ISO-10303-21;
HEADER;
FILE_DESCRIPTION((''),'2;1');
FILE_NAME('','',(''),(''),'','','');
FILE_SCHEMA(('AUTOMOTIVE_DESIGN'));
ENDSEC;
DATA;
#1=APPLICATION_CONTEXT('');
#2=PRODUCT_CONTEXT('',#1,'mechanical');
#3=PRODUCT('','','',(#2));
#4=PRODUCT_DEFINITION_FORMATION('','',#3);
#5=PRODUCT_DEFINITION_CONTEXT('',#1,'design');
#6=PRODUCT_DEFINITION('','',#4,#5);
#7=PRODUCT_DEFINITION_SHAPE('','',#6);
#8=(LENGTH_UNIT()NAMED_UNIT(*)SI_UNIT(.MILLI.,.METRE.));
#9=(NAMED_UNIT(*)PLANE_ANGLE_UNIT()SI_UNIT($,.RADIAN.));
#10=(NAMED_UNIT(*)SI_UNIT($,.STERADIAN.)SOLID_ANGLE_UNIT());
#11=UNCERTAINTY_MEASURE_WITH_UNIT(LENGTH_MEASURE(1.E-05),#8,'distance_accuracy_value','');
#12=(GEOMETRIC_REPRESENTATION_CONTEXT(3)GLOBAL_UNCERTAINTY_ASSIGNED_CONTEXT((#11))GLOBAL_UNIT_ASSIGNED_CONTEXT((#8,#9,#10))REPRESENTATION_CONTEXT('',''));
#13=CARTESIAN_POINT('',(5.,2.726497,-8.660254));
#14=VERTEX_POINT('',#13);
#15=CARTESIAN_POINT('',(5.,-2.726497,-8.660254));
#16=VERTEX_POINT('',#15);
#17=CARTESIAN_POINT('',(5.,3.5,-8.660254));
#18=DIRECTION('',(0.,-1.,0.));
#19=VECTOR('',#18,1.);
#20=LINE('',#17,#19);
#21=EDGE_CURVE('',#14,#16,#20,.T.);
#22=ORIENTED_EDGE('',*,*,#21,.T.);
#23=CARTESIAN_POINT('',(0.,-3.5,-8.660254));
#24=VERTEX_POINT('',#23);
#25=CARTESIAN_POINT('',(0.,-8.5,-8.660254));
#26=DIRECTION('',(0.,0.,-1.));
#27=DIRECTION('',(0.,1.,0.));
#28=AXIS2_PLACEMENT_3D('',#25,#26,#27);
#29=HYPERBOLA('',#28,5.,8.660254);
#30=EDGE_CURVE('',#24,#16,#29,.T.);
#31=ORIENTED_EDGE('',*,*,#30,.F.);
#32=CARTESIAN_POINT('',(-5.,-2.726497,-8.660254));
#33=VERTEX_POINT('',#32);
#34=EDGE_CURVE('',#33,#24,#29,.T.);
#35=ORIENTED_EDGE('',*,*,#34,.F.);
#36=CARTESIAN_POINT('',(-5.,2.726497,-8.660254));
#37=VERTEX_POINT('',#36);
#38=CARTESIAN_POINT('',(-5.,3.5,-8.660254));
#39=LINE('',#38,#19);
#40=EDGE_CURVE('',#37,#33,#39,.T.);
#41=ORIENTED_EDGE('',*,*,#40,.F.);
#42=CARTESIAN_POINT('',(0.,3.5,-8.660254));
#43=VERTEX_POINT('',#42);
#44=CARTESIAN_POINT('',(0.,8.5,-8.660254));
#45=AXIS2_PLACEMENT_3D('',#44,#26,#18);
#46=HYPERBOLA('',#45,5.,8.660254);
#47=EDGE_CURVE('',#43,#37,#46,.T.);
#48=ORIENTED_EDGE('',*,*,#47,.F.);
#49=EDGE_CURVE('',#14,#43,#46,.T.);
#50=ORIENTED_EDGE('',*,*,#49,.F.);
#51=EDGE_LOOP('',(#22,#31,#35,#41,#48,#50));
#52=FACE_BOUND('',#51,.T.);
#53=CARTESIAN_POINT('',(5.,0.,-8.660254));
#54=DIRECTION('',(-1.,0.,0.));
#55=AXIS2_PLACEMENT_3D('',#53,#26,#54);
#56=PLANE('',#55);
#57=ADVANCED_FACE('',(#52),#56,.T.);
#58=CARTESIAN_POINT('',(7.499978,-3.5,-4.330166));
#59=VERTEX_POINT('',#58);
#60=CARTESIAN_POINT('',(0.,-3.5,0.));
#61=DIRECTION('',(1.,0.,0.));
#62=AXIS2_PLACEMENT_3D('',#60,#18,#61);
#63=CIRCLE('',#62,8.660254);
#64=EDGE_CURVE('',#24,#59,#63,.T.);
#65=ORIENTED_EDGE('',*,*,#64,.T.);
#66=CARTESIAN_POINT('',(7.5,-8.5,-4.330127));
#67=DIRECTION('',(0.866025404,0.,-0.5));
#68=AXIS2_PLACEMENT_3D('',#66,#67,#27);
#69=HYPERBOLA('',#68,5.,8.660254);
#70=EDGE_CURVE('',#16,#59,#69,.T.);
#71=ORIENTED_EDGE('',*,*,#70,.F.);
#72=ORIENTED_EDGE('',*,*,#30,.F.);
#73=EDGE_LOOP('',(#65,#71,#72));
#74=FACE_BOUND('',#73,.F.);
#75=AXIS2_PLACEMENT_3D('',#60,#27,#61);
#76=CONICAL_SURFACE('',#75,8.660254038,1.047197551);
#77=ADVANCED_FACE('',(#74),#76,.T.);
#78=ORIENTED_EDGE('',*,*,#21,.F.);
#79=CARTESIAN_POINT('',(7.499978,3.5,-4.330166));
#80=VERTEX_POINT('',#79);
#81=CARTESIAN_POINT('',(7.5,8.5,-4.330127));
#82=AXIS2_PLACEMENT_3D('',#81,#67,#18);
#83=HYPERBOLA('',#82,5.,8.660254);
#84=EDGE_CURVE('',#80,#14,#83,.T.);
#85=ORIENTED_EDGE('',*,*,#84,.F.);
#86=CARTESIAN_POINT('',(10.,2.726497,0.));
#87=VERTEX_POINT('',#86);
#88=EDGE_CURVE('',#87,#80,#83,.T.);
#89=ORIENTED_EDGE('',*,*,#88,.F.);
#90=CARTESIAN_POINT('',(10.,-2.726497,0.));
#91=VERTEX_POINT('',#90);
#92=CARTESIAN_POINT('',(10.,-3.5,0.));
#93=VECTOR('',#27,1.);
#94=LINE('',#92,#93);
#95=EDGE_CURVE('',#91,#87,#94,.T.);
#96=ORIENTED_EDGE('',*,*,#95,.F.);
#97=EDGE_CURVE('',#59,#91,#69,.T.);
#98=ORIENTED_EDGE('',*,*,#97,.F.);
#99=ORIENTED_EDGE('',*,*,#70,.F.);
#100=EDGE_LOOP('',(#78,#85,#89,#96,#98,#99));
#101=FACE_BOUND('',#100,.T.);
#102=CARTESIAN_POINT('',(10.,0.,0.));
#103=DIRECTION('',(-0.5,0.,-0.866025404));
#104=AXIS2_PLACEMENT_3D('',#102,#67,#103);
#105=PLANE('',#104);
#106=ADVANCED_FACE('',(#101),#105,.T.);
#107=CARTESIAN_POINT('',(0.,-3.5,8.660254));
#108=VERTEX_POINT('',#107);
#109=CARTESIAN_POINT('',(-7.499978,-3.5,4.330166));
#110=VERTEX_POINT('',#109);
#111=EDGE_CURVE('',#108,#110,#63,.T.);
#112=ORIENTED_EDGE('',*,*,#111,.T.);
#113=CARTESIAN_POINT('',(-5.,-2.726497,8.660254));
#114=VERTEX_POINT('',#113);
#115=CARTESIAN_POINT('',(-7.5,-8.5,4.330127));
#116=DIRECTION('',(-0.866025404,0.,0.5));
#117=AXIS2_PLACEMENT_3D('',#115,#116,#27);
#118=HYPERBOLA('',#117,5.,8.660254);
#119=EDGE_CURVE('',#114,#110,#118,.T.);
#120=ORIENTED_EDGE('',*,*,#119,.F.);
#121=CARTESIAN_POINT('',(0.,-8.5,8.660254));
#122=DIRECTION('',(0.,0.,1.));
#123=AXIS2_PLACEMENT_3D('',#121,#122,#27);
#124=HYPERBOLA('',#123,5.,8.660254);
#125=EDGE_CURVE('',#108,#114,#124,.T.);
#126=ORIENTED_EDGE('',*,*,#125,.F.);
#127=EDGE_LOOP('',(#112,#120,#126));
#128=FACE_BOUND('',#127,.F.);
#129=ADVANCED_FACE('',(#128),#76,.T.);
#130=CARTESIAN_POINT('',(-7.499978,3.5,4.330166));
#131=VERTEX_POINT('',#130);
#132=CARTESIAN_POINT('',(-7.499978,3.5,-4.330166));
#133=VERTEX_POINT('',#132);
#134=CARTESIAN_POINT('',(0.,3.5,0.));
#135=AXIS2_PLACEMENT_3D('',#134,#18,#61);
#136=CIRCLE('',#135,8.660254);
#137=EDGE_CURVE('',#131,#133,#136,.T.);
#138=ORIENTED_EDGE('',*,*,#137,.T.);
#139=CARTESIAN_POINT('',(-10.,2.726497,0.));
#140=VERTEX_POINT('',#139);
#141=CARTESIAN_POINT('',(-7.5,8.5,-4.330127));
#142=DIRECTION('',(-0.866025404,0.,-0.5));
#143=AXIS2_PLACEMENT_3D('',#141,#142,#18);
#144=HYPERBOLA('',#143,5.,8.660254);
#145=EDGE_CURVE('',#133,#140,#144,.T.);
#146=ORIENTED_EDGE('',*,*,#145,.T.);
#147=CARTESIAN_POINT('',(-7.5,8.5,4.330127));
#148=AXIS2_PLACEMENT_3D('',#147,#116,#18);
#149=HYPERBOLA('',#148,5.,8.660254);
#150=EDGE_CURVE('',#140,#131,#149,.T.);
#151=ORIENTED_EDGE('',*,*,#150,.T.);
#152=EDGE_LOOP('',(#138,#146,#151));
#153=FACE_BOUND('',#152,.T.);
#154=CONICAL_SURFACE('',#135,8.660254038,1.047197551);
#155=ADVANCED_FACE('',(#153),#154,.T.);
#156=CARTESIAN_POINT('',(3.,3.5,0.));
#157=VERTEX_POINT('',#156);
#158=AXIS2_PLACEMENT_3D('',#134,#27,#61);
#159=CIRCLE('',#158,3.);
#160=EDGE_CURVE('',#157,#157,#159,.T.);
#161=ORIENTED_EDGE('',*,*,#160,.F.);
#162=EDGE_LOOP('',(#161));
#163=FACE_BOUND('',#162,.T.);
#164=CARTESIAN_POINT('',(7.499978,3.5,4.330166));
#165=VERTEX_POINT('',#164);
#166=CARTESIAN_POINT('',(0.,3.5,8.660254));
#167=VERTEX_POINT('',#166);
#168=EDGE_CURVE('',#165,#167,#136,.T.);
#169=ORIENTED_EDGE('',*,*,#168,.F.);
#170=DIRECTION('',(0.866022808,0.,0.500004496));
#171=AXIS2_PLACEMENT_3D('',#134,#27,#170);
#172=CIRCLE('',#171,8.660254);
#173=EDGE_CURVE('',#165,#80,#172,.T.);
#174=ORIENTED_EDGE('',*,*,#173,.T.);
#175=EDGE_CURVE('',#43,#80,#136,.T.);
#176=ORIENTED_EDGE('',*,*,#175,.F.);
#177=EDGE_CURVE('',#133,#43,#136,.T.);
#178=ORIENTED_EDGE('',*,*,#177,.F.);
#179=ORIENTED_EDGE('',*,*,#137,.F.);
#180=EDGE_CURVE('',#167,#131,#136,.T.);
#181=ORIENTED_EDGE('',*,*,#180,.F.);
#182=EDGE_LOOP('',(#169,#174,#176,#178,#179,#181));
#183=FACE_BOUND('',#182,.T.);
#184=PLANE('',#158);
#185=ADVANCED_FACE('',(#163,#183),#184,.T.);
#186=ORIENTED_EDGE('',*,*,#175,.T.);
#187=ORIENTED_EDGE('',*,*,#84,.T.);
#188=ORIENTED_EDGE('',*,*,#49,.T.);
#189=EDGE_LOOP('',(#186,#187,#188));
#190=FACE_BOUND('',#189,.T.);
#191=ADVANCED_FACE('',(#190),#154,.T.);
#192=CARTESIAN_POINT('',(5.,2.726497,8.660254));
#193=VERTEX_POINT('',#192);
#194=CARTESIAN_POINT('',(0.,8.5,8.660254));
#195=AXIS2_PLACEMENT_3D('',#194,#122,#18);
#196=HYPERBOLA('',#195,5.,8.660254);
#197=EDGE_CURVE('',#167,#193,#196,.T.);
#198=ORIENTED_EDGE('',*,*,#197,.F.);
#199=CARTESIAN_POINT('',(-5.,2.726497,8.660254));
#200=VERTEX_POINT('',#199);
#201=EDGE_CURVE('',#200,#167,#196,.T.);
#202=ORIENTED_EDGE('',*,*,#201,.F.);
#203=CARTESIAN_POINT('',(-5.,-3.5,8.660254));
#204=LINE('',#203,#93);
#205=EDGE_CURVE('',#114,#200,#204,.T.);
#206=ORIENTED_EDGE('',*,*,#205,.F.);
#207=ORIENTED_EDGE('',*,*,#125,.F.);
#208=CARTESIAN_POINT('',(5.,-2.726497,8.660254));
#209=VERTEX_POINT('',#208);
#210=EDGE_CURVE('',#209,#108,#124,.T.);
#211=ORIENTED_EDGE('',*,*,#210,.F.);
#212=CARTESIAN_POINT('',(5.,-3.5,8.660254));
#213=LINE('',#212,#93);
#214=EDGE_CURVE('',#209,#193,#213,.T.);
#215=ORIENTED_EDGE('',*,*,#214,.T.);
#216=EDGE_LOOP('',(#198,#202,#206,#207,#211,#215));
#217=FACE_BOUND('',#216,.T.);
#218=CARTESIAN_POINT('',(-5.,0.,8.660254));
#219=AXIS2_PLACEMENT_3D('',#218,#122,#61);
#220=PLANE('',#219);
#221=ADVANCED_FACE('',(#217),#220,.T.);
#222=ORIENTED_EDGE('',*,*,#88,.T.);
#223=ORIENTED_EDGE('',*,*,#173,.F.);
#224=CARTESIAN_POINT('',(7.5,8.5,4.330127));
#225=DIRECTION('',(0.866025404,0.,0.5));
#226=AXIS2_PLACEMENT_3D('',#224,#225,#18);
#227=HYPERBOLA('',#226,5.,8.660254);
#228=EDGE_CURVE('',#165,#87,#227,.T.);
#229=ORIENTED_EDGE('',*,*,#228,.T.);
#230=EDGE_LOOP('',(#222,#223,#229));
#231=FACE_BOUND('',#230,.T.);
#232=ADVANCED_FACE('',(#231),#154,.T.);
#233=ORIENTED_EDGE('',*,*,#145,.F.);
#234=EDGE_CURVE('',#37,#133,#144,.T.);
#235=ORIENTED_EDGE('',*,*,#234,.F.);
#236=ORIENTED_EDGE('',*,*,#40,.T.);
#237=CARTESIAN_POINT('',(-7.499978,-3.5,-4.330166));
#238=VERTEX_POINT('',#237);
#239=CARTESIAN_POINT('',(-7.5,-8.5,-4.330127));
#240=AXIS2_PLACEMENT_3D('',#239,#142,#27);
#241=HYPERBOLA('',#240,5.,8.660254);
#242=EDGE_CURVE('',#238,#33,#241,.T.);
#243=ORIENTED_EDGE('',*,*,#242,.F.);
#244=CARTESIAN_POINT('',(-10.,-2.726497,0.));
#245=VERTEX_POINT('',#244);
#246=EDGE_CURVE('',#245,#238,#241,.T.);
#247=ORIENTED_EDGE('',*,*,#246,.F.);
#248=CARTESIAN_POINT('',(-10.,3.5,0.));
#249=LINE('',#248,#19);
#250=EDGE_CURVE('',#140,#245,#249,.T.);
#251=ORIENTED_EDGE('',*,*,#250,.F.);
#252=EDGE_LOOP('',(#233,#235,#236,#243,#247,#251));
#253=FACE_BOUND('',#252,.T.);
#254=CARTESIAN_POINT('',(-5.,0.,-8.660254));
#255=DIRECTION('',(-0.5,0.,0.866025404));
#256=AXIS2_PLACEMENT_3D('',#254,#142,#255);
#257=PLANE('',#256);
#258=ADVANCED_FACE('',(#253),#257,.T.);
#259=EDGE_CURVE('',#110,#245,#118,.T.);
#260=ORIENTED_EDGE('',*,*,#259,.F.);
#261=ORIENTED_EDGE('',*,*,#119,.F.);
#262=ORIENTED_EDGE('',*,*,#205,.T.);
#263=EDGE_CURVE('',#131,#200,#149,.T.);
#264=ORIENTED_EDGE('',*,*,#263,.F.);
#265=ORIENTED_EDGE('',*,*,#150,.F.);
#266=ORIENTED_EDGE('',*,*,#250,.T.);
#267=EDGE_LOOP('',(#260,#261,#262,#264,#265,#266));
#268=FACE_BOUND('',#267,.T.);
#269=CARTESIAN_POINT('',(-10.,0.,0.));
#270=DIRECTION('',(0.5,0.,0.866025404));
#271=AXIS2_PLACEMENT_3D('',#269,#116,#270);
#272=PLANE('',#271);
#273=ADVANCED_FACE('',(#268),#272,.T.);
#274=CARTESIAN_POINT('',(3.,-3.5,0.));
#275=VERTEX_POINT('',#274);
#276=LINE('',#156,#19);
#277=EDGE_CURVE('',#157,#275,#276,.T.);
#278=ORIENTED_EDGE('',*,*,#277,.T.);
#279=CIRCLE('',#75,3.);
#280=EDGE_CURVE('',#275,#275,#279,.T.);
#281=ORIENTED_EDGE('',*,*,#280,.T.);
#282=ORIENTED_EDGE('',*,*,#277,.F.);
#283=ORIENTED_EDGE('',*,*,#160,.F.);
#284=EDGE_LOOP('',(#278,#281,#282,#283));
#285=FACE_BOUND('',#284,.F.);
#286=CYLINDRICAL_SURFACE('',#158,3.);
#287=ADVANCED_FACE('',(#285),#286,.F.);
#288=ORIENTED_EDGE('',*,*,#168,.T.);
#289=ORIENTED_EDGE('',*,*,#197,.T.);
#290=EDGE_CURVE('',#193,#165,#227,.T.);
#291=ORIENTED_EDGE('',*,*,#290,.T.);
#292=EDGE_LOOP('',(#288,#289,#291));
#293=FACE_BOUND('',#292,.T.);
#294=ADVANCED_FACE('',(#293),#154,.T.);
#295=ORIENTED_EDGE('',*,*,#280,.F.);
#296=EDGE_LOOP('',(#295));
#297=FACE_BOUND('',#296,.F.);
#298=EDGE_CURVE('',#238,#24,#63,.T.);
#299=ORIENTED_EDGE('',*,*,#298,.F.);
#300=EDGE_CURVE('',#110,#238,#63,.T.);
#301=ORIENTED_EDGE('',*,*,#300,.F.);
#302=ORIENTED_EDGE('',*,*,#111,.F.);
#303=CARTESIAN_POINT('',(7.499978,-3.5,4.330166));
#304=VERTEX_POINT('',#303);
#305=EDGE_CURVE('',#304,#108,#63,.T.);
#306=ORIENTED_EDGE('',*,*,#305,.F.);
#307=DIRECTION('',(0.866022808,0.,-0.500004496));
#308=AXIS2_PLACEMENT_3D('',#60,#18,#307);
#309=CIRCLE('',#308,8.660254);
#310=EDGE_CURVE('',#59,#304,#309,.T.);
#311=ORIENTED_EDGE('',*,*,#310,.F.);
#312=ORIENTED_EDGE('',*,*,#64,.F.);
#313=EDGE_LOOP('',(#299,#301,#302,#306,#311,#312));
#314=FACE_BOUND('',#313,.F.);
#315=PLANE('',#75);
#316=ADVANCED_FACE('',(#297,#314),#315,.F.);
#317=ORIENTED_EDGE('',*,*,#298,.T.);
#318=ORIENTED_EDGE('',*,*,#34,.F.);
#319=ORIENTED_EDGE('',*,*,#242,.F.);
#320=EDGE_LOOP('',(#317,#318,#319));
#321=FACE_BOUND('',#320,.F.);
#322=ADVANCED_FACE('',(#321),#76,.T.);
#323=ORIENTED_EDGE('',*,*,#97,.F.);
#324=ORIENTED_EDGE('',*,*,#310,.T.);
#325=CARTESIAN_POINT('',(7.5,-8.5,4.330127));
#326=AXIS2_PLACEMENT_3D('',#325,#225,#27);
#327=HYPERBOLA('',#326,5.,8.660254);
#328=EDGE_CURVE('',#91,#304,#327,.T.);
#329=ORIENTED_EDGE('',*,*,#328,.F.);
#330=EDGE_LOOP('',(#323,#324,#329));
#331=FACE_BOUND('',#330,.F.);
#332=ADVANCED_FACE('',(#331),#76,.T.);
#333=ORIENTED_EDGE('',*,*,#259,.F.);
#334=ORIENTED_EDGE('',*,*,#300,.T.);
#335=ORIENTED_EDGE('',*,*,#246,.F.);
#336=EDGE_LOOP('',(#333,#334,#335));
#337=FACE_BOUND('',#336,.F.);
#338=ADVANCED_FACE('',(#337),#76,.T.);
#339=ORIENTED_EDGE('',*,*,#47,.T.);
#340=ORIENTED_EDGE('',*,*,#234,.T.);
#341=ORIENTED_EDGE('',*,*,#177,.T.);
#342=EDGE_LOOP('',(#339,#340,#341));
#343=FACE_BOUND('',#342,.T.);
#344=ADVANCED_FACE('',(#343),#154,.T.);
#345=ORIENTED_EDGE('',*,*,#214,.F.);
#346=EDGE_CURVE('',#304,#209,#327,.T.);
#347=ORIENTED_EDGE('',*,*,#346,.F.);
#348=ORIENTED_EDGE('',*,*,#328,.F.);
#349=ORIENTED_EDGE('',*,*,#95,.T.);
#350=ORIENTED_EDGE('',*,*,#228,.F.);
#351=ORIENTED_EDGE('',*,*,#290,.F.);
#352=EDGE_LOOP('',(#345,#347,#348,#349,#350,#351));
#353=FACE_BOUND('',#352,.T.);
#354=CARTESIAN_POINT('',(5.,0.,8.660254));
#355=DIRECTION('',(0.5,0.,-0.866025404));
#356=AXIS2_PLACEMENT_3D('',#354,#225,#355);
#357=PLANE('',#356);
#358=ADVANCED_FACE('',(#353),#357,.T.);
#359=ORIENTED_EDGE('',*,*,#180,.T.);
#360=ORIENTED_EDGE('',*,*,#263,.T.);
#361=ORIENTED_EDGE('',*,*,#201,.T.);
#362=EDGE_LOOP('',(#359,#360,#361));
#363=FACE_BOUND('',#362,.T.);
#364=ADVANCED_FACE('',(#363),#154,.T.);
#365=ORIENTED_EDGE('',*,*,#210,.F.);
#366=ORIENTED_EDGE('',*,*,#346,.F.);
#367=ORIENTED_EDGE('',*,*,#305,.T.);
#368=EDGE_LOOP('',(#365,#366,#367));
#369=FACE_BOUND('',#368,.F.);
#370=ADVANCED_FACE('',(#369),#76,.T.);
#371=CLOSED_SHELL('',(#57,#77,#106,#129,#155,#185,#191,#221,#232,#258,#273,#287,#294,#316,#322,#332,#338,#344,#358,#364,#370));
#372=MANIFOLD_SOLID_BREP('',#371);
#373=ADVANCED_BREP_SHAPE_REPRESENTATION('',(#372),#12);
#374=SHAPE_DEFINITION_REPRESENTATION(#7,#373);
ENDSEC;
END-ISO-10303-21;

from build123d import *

# Parameters (mm, degrees)
BOSS_EXTRUDE1_DEPTH = 3.5
SKETCH2_OUTSIDE_W   = 51.722
SKETCH2_OUTSIDE_H   = 49.042
SKETCH2_OUTSIDE_R   = 8.660254038
CUT_EXTRUDE1_DEPTH  = 7
CUT_EXTRUDE1_TAPER  = 60
SKETCH3_R           = 3
CUT_EXTRUDE2_DEPTH  = 8


with BuildPart() as part:
    # Sketch1 → Boss-Extrude1 (new body, symmetric)
    with BuildSketch(Plane(origin=(0, 0, 0), x_dir=(1, 0, 0), z_dir=(0, 1, 0))):
        Polygon((-10, 0), (-5, -8.660254038), (5, -8.660254038), (10, 0), (5, 8.660254038), (-5, 8.660254038), align=None)
    extrude(amount=BOSS_EXTRUDE1_DEPTH, both=True)

    # Sketch2 outside → Cut-Extrude1 (cut)
    with BuildSketch(Plane(origin=(0, 3.5, 0), x_dir=(1, 0, 0), z_dir=(0, 1, 0))):
        Rectangle(SKETCH2_OUTSIDE_W, SKETCH2_OUTSIDE_H)
        Circle(SKETCH2_OUTSIDE_R, mode=Mode.SUBTRACT)
    cut_extrude1 = extrude(amount=-CUT_EXTRUDE1_DEPTH, taper=CUT_EXTRUDE1_TAPER, mode=Mode.SUBTRACT)

    # Mirror1: Cut-Extrude1 across plane
    add(cut_extrude1.mirror(Plane.ZX), mode=Mode.SUBTRACT)

    # Sketch3 → Cut-Extrude2 (cut, through all)
    with BuildSketch(Plane(origin=(0, 3.5, 0), x_dir=(1, 0, 0), z_dir=(0, 1, 0))):
        Circle(SKETCH3_R)
    extrude(amount=-CUT_EXTRUDE2_DEPTH, mode=Mode.SUBTRACT)


solid = part.part
